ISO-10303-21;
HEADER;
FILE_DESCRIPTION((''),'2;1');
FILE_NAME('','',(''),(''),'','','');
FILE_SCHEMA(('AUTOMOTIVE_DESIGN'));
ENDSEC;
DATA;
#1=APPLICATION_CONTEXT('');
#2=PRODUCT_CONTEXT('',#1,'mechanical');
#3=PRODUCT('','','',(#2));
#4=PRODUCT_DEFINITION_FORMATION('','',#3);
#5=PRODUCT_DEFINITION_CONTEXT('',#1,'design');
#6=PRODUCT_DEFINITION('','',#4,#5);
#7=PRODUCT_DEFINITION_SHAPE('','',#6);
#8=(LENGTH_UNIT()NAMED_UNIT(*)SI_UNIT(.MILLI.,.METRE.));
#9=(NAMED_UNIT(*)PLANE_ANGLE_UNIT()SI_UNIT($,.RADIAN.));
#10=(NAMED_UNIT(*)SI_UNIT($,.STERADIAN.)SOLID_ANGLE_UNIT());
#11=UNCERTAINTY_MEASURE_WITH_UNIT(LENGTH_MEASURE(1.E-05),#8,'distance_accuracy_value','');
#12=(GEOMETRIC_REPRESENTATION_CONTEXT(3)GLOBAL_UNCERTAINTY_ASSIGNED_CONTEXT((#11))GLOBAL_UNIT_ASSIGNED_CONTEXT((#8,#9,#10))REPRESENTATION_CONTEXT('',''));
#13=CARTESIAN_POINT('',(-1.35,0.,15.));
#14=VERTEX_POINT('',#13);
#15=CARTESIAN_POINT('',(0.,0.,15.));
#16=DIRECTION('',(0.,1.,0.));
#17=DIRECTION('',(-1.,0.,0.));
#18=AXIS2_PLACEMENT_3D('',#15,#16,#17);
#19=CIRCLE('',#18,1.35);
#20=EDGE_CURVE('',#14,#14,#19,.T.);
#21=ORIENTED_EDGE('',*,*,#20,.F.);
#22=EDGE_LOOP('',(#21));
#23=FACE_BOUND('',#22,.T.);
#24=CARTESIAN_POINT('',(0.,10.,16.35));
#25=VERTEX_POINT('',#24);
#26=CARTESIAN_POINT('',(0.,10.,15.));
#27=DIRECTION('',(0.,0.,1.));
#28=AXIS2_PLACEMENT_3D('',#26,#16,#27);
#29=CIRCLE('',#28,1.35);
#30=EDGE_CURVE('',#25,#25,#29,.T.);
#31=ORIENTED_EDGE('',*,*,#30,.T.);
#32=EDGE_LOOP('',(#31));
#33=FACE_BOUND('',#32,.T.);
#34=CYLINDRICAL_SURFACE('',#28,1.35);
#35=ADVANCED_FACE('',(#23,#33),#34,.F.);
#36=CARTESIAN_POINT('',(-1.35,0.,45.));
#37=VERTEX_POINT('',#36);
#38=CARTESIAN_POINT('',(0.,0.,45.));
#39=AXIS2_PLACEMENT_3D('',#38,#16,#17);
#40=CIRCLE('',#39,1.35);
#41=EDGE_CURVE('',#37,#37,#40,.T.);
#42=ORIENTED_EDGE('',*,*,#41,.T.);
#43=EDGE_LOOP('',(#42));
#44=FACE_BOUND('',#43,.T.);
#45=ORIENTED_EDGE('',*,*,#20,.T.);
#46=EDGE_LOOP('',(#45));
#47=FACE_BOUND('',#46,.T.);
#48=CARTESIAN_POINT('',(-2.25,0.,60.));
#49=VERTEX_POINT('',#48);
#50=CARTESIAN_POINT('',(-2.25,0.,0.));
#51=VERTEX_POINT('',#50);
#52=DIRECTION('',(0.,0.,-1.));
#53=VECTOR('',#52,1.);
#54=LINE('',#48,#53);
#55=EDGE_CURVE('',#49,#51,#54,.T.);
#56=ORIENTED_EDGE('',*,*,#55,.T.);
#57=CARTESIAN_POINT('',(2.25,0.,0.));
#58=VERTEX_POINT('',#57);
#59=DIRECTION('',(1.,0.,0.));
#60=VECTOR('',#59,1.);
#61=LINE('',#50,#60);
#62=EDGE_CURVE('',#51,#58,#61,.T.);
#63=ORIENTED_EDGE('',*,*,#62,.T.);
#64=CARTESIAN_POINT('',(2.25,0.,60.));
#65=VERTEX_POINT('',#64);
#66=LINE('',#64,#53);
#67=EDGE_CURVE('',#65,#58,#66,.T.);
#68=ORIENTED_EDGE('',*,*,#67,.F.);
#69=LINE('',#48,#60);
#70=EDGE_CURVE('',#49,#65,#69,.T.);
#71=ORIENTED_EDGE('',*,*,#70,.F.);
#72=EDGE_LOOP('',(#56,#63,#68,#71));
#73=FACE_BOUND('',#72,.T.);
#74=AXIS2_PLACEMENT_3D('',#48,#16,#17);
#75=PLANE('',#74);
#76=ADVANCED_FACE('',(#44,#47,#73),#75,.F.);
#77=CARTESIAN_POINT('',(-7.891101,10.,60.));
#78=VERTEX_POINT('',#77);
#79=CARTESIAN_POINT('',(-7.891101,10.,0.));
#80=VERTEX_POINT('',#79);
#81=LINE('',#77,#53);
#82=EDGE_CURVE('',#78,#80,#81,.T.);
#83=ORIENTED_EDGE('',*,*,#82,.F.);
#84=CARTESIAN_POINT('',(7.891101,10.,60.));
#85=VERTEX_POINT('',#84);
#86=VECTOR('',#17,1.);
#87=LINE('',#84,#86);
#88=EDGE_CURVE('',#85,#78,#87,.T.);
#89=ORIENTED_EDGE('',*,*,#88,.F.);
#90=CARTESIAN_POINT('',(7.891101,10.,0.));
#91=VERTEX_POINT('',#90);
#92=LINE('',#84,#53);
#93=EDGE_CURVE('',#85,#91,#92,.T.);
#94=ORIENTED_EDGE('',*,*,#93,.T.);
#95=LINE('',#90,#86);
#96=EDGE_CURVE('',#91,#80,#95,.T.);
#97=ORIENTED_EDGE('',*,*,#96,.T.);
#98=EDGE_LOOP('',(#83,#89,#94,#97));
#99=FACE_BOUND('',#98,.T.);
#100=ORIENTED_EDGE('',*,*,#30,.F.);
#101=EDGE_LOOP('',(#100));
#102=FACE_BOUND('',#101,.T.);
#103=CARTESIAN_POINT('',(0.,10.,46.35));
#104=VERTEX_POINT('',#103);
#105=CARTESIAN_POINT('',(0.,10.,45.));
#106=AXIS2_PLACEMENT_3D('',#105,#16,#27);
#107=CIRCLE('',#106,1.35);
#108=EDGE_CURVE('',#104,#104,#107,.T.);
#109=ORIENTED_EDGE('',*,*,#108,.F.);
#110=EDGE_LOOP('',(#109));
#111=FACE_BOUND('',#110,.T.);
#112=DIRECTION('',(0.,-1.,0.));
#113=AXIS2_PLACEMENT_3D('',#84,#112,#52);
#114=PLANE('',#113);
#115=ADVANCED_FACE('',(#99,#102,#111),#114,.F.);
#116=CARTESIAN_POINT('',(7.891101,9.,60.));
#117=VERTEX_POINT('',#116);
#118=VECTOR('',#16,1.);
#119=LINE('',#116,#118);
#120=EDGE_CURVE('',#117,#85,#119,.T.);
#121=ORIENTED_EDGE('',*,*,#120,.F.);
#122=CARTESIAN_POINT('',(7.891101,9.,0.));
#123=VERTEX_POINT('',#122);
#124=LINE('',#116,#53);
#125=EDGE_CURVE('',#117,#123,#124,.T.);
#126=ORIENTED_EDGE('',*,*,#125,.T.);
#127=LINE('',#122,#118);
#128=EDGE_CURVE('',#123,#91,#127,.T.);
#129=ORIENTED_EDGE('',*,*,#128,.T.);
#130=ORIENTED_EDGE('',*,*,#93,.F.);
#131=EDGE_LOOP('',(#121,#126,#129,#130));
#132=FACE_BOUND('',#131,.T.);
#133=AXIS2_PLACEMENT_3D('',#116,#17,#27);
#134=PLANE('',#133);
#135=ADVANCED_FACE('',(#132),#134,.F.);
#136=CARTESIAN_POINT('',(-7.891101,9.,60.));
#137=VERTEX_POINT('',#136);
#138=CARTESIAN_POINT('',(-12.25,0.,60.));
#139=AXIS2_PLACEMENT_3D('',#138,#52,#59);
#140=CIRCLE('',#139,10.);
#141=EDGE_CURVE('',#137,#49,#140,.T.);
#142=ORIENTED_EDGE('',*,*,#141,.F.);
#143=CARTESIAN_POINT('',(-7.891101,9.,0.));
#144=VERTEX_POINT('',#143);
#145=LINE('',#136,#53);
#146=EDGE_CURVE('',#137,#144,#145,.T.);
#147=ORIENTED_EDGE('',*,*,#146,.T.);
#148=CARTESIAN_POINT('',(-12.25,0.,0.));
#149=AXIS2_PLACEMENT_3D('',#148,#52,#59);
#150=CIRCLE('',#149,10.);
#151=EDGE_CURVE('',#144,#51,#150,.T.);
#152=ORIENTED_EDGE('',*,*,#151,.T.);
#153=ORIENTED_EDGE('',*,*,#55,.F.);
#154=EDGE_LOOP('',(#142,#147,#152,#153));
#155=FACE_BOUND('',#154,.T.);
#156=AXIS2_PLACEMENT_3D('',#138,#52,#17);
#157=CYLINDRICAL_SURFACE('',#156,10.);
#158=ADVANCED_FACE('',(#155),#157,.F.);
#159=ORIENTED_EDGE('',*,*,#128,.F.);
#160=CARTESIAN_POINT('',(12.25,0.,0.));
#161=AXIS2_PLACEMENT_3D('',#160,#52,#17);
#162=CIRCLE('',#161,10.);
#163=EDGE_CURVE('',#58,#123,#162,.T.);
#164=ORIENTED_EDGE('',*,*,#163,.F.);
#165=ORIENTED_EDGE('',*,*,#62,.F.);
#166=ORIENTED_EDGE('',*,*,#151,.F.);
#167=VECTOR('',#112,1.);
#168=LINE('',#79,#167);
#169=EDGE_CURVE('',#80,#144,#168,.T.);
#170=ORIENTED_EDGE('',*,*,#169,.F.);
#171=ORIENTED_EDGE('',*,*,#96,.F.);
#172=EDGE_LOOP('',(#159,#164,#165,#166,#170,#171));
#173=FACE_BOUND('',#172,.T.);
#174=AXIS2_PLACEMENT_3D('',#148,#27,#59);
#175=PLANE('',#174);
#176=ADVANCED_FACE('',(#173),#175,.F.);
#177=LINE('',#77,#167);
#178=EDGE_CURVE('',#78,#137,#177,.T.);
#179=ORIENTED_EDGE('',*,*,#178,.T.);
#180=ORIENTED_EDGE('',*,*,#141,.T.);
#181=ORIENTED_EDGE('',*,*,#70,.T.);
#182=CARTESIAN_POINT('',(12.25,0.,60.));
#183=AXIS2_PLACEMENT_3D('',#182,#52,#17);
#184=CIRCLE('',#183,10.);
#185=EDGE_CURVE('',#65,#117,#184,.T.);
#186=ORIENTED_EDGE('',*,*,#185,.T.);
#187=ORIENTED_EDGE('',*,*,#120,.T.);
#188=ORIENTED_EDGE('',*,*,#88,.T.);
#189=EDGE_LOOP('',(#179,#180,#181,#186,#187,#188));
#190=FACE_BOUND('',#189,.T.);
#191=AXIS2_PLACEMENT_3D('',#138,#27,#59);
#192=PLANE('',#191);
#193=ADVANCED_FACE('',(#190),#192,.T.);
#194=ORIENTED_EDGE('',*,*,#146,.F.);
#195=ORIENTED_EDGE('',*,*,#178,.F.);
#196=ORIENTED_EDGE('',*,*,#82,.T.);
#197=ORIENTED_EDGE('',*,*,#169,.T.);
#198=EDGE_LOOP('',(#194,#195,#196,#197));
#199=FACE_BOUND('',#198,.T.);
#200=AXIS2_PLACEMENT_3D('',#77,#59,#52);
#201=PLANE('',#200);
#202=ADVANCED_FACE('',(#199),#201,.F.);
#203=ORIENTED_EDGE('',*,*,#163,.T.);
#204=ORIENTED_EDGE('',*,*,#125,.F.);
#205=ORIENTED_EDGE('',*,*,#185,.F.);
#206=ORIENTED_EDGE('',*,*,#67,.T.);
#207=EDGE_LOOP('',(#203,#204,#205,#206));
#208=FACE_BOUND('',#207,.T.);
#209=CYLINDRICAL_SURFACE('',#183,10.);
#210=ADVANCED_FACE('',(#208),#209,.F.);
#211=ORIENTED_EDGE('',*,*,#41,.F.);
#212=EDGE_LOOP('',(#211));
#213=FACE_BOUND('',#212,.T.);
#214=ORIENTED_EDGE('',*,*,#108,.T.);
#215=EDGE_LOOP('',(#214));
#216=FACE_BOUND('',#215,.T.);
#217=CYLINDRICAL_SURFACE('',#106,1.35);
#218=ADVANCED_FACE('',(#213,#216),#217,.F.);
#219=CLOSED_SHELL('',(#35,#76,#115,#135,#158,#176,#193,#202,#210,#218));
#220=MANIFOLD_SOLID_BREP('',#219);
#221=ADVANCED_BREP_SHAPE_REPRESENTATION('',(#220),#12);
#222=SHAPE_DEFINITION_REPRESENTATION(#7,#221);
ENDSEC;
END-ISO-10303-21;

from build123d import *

# Parameters (mm, degrees)
BOSS_EXTRUDE1_DEPTH        = 60
F_2_7_2_7_DIAMETER_HOLE1_D = 2.7


with BuildPart() as part:
    # Sketch1 → Boss-Extrude1 (new body)
    with BuildSketch(Plane.XY):
        with BuildLine():
            Line((-2.25, 0), (2.25, 0))
            ThreePointArc((2.25, 0), (3.776836794, 5.310885546), (7.891101056, 9))
            Line((7.891101056, 9), (7.891101056, 10))
            Line((7.891101056, 10), (-7.891101056, 10))
            Line((-7.891101056, 10), (-7.891101056, 9))
            ThreePointArc((-7.891101056, 9), (-3.776836794, 5.310885546), (-2.25, 0))
        make_face()
    extrude(amount=BOSS_EXTRUDE1_DEPTH)

    # Ø2.7 (2.7) Diameter Hole1 (through all)
    with Locations(Plane(origin=(0, 10, 45), x_dir=(0, 0, 1), z_dir=(0, 1, 0))):
        with Locations((0, 0), (-30, 0)):
            Hole(F_2_7_2_7_DIAMETER_HOLE1_D / 2)


solid = part.part
